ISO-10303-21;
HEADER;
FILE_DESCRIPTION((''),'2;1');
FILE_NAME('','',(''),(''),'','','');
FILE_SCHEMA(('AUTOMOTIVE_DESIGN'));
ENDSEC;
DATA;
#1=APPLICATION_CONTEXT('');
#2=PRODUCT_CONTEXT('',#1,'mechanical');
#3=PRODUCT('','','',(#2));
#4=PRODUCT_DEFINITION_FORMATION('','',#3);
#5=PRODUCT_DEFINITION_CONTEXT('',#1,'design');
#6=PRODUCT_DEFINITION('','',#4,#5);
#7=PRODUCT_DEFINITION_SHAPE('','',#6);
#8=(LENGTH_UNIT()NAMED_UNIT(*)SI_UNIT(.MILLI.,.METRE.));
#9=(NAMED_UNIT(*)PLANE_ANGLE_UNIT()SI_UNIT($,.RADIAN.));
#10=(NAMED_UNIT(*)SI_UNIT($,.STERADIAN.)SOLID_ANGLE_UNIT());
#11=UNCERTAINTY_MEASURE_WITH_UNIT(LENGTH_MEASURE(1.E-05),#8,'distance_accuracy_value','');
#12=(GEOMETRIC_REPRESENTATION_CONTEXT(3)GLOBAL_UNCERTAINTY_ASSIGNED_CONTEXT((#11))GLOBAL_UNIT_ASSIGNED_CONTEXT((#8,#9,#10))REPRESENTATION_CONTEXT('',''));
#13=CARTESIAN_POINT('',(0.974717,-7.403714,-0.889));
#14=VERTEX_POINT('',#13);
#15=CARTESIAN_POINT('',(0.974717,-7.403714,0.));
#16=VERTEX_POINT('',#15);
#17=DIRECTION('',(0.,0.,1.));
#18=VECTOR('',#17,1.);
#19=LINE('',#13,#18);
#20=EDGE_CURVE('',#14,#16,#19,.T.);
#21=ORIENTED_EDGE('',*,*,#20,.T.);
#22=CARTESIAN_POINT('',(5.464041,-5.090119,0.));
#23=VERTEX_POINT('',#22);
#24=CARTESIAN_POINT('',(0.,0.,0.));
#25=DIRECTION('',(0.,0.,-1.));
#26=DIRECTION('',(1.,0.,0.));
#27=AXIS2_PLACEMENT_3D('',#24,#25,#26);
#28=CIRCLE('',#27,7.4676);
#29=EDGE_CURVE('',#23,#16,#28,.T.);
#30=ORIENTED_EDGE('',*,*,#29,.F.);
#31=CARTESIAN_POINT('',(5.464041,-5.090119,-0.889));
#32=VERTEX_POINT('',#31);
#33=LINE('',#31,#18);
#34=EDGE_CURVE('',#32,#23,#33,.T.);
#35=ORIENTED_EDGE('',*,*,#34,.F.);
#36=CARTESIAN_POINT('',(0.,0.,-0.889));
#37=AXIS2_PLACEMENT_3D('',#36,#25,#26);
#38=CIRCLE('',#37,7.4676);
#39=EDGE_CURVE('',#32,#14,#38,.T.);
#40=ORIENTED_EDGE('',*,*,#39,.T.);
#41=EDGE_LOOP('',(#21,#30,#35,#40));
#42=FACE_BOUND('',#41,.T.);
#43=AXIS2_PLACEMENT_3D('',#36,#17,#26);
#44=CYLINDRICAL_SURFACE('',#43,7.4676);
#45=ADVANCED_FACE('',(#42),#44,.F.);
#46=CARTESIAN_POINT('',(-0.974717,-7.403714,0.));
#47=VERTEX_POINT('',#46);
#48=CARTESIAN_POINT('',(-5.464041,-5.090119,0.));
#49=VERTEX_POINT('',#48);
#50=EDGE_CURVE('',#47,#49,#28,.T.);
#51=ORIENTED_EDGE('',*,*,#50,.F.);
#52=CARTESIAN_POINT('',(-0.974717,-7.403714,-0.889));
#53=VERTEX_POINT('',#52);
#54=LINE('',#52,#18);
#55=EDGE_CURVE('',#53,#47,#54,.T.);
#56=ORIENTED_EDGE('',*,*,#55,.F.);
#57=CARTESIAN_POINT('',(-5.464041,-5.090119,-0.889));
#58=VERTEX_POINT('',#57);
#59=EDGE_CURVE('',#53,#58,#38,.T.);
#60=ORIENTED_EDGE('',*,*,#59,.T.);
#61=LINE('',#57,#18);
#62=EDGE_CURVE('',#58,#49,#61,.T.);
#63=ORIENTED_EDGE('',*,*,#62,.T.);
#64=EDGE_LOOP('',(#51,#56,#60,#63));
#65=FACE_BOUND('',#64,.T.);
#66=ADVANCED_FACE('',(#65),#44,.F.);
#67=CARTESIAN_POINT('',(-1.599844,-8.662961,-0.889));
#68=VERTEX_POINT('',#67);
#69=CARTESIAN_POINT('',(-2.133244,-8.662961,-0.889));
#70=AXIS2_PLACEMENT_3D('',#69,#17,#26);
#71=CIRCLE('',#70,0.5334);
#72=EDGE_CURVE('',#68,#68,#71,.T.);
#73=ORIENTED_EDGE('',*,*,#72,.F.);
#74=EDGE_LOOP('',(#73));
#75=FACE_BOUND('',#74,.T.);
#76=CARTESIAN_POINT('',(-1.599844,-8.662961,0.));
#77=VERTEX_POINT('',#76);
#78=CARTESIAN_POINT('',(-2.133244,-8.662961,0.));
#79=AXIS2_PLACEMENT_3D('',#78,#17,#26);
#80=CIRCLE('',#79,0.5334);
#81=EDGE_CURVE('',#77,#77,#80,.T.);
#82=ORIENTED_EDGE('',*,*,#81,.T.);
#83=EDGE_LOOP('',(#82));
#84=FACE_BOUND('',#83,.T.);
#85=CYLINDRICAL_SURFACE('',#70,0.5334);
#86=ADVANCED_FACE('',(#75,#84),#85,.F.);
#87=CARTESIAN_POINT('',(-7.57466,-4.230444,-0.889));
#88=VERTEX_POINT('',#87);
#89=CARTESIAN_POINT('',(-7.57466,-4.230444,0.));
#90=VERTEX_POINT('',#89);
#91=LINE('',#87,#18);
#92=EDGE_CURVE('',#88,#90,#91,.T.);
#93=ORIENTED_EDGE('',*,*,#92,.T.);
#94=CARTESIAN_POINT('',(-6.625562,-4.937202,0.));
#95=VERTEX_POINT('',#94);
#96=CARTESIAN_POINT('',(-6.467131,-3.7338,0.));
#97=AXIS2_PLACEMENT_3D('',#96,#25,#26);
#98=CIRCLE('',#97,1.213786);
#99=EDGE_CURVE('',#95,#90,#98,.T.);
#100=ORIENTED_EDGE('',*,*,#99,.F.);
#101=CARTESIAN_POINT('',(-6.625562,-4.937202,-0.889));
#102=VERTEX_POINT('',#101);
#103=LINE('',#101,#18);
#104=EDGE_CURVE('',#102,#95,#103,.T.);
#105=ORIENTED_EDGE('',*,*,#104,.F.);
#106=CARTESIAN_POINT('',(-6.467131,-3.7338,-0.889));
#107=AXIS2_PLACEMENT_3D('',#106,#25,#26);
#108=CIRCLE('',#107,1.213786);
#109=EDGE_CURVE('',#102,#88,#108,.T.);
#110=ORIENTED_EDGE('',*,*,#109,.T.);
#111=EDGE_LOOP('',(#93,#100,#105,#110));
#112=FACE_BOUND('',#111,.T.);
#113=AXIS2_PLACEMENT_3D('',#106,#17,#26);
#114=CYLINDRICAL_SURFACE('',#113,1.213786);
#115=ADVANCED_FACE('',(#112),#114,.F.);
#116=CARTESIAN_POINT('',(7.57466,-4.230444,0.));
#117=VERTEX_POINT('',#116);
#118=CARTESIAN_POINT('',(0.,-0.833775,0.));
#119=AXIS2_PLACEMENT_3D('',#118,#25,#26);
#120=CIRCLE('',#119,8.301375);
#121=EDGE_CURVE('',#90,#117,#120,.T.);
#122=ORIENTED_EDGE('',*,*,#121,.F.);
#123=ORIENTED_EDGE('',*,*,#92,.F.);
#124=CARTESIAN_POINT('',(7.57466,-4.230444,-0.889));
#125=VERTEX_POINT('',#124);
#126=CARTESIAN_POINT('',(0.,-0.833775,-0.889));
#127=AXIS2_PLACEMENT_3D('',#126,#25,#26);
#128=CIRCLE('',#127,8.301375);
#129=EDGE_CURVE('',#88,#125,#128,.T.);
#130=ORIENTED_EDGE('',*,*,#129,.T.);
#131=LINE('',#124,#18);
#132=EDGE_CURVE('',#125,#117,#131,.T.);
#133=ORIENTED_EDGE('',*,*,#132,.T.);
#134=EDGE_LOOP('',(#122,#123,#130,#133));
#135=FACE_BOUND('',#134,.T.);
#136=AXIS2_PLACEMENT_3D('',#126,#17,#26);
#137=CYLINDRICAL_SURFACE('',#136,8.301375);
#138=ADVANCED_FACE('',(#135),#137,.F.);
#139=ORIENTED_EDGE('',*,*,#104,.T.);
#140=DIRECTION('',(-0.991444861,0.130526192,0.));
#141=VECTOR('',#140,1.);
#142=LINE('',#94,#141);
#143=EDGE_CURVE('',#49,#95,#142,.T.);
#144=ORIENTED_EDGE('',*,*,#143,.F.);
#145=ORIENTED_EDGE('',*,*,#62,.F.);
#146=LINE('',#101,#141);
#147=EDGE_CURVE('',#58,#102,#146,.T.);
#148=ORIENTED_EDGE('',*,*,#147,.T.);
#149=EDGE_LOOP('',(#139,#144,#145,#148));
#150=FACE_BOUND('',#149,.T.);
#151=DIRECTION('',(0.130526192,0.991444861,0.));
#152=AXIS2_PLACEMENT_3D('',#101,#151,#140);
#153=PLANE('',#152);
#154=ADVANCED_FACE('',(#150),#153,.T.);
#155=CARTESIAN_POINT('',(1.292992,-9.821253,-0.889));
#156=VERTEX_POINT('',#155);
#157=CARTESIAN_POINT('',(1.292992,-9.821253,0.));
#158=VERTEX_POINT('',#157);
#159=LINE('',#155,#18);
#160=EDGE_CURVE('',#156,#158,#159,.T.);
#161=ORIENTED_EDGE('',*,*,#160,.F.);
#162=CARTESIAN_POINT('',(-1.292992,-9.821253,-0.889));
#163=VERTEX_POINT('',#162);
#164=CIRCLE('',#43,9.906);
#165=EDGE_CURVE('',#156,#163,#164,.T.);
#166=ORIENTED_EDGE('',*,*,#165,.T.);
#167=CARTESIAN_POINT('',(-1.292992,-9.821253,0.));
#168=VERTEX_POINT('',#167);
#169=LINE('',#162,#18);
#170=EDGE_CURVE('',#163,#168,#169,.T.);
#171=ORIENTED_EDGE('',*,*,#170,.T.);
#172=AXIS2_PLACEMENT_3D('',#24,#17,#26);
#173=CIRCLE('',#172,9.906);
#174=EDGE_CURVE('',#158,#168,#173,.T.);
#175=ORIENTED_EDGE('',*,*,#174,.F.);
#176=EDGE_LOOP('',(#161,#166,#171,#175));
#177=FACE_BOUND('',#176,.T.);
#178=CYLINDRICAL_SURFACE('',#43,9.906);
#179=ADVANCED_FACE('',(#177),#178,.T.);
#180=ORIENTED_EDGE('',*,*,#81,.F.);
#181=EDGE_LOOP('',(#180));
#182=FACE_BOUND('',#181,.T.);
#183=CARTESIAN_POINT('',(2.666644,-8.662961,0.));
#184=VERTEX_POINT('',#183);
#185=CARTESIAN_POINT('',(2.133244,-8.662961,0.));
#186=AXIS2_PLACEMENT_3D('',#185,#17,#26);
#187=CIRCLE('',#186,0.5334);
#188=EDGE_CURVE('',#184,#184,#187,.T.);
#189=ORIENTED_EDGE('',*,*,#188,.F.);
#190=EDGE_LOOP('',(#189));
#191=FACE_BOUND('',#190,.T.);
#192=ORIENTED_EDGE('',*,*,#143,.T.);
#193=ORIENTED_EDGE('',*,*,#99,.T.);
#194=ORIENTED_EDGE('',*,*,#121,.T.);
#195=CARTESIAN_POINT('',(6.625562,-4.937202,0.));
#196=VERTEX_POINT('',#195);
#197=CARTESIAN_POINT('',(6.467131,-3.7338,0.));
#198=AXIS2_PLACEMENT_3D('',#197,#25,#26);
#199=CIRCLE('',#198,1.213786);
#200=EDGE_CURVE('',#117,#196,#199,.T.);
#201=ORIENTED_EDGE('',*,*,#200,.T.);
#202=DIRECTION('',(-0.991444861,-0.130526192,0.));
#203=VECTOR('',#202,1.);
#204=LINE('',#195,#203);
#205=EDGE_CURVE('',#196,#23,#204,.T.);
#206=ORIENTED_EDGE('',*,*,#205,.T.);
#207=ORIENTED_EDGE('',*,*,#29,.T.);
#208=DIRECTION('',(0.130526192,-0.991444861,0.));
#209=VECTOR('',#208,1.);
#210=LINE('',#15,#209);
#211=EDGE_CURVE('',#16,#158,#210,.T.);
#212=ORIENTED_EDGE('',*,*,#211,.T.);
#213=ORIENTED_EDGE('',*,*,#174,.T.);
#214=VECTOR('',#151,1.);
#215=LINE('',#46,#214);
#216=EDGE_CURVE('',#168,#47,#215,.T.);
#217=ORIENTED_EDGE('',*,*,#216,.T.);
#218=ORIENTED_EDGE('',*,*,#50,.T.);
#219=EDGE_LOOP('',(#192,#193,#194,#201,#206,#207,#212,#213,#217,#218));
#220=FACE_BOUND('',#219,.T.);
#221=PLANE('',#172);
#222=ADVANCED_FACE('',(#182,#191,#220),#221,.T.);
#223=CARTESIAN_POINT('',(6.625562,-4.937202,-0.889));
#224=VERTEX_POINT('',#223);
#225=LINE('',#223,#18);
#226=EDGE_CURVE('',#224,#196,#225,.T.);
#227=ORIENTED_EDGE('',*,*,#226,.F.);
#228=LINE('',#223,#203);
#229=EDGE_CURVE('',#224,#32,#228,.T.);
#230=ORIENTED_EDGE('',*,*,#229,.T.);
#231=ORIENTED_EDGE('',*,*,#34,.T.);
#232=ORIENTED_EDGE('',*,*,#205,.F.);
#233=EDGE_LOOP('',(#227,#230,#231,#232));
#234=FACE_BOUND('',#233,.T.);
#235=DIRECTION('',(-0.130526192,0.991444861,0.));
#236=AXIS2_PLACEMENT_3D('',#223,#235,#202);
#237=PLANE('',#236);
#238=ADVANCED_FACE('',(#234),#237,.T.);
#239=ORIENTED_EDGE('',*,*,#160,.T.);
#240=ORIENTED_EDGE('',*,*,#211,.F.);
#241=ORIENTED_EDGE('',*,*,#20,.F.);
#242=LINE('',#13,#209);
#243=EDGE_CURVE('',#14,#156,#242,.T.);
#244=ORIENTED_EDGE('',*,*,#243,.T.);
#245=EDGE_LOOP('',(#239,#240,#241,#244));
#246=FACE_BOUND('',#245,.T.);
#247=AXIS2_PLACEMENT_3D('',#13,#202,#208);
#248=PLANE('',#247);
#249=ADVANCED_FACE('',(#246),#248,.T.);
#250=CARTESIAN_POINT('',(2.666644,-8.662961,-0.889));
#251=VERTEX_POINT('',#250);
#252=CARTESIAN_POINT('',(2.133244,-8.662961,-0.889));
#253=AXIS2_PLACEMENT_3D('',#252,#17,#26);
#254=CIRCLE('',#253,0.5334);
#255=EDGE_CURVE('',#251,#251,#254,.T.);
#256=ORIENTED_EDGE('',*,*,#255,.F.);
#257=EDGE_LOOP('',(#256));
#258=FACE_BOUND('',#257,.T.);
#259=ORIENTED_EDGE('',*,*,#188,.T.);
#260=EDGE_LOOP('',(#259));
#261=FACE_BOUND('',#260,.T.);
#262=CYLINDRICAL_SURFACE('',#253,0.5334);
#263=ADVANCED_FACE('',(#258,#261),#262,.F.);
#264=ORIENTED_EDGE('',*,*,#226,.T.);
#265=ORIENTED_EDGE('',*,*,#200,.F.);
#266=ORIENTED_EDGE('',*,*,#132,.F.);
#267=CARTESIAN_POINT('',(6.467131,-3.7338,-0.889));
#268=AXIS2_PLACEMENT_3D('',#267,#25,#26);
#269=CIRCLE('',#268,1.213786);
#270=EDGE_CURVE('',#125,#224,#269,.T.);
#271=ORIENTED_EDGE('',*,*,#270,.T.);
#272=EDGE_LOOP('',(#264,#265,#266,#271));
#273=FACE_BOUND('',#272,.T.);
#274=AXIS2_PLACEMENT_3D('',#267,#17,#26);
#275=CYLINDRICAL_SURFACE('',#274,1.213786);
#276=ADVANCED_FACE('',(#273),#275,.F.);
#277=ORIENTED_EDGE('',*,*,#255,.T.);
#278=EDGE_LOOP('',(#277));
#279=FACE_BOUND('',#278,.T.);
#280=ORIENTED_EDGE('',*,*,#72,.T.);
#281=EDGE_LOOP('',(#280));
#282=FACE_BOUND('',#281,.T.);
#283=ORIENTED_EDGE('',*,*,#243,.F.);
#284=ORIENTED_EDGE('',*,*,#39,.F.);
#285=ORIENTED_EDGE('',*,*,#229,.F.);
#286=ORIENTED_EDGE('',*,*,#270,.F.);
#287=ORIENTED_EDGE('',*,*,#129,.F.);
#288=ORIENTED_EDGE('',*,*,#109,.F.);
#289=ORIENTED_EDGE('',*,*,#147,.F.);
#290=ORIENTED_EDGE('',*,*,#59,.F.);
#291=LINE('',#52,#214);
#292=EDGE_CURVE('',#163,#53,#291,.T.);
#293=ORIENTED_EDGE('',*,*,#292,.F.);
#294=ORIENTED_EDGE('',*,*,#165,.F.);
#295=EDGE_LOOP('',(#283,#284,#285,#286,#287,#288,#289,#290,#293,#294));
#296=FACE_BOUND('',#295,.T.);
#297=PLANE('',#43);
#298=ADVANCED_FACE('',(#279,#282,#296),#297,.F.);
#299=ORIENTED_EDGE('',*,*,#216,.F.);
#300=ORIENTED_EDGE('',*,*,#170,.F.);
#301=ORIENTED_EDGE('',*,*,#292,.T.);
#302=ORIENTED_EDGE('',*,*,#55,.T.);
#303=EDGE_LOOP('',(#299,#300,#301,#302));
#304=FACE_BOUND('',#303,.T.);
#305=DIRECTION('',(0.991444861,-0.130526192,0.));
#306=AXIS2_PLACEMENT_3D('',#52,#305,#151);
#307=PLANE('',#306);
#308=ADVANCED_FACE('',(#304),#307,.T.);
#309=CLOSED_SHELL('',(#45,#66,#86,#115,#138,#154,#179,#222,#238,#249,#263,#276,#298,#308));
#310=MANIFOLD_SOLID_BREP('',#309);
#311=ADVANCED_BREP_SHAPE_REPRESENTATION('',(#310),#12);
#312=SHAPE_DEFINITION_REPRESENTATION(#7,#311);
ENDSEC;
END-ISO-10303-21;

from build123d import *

# Parameters (mm, degrees)
BODYSKE_R  = 0.5334
BODY_DEPTH = 0.889


with BuildPart() as part:
    # BodySke → Body (new body)
    with BuildSketch(Plane.XY):
        with BuildLine():
            Line((-0.974717393, -7.403713647), (-1.29299246, -9.821252797))
            ThreePointArc((-1.29299246, -9.821252797), (0, 9.906), (1.29299246, -9.821252797))
            Line((1.29299246, -9.821252797), (0.974717393, -7.403713647))
            ThreePointArc((0.974717393, -7.403713647), (3.420903654, -6.63795661), (5.464040708, -5.090118751))
            Line((5.464040708, -5.090118751), (6.625562126, -4.937201555))
            ThreePointArc((6.625562126, -4.937201555), (7.192072795, -4.707317059), (7.574660301, -4.230443889))
            ThreePointArc((7.574660301, -4.230443889), (0, 7.4676), (-7.574660301, -4.230443889))
            ThreePointArc((-7.574660301, -4.230443889), (-7.192072795, -4.707317059), (-6.625562126, -4.937201555))
            Line((-6.625562126, -4.937201555), (-5.464040708, -5.090118751))
            ThreePointArc((-5.464040708, -5.090118751), (-3.420903654, -6.63795661), (-0.974717393, -7.403713647))
        make_face()
        with Locations((2.133243521, -8.662961107)):
            Circle(BODYSKE_R, mode=Mode.SUBTRACT)
        with Locations((-2.133243521, -8.662961107)):
            Circle(BODYSKE_R, mode=Mode.SUBTRACT)
    extrude(amount=-BODY_DEPTH)


solid = part.part
